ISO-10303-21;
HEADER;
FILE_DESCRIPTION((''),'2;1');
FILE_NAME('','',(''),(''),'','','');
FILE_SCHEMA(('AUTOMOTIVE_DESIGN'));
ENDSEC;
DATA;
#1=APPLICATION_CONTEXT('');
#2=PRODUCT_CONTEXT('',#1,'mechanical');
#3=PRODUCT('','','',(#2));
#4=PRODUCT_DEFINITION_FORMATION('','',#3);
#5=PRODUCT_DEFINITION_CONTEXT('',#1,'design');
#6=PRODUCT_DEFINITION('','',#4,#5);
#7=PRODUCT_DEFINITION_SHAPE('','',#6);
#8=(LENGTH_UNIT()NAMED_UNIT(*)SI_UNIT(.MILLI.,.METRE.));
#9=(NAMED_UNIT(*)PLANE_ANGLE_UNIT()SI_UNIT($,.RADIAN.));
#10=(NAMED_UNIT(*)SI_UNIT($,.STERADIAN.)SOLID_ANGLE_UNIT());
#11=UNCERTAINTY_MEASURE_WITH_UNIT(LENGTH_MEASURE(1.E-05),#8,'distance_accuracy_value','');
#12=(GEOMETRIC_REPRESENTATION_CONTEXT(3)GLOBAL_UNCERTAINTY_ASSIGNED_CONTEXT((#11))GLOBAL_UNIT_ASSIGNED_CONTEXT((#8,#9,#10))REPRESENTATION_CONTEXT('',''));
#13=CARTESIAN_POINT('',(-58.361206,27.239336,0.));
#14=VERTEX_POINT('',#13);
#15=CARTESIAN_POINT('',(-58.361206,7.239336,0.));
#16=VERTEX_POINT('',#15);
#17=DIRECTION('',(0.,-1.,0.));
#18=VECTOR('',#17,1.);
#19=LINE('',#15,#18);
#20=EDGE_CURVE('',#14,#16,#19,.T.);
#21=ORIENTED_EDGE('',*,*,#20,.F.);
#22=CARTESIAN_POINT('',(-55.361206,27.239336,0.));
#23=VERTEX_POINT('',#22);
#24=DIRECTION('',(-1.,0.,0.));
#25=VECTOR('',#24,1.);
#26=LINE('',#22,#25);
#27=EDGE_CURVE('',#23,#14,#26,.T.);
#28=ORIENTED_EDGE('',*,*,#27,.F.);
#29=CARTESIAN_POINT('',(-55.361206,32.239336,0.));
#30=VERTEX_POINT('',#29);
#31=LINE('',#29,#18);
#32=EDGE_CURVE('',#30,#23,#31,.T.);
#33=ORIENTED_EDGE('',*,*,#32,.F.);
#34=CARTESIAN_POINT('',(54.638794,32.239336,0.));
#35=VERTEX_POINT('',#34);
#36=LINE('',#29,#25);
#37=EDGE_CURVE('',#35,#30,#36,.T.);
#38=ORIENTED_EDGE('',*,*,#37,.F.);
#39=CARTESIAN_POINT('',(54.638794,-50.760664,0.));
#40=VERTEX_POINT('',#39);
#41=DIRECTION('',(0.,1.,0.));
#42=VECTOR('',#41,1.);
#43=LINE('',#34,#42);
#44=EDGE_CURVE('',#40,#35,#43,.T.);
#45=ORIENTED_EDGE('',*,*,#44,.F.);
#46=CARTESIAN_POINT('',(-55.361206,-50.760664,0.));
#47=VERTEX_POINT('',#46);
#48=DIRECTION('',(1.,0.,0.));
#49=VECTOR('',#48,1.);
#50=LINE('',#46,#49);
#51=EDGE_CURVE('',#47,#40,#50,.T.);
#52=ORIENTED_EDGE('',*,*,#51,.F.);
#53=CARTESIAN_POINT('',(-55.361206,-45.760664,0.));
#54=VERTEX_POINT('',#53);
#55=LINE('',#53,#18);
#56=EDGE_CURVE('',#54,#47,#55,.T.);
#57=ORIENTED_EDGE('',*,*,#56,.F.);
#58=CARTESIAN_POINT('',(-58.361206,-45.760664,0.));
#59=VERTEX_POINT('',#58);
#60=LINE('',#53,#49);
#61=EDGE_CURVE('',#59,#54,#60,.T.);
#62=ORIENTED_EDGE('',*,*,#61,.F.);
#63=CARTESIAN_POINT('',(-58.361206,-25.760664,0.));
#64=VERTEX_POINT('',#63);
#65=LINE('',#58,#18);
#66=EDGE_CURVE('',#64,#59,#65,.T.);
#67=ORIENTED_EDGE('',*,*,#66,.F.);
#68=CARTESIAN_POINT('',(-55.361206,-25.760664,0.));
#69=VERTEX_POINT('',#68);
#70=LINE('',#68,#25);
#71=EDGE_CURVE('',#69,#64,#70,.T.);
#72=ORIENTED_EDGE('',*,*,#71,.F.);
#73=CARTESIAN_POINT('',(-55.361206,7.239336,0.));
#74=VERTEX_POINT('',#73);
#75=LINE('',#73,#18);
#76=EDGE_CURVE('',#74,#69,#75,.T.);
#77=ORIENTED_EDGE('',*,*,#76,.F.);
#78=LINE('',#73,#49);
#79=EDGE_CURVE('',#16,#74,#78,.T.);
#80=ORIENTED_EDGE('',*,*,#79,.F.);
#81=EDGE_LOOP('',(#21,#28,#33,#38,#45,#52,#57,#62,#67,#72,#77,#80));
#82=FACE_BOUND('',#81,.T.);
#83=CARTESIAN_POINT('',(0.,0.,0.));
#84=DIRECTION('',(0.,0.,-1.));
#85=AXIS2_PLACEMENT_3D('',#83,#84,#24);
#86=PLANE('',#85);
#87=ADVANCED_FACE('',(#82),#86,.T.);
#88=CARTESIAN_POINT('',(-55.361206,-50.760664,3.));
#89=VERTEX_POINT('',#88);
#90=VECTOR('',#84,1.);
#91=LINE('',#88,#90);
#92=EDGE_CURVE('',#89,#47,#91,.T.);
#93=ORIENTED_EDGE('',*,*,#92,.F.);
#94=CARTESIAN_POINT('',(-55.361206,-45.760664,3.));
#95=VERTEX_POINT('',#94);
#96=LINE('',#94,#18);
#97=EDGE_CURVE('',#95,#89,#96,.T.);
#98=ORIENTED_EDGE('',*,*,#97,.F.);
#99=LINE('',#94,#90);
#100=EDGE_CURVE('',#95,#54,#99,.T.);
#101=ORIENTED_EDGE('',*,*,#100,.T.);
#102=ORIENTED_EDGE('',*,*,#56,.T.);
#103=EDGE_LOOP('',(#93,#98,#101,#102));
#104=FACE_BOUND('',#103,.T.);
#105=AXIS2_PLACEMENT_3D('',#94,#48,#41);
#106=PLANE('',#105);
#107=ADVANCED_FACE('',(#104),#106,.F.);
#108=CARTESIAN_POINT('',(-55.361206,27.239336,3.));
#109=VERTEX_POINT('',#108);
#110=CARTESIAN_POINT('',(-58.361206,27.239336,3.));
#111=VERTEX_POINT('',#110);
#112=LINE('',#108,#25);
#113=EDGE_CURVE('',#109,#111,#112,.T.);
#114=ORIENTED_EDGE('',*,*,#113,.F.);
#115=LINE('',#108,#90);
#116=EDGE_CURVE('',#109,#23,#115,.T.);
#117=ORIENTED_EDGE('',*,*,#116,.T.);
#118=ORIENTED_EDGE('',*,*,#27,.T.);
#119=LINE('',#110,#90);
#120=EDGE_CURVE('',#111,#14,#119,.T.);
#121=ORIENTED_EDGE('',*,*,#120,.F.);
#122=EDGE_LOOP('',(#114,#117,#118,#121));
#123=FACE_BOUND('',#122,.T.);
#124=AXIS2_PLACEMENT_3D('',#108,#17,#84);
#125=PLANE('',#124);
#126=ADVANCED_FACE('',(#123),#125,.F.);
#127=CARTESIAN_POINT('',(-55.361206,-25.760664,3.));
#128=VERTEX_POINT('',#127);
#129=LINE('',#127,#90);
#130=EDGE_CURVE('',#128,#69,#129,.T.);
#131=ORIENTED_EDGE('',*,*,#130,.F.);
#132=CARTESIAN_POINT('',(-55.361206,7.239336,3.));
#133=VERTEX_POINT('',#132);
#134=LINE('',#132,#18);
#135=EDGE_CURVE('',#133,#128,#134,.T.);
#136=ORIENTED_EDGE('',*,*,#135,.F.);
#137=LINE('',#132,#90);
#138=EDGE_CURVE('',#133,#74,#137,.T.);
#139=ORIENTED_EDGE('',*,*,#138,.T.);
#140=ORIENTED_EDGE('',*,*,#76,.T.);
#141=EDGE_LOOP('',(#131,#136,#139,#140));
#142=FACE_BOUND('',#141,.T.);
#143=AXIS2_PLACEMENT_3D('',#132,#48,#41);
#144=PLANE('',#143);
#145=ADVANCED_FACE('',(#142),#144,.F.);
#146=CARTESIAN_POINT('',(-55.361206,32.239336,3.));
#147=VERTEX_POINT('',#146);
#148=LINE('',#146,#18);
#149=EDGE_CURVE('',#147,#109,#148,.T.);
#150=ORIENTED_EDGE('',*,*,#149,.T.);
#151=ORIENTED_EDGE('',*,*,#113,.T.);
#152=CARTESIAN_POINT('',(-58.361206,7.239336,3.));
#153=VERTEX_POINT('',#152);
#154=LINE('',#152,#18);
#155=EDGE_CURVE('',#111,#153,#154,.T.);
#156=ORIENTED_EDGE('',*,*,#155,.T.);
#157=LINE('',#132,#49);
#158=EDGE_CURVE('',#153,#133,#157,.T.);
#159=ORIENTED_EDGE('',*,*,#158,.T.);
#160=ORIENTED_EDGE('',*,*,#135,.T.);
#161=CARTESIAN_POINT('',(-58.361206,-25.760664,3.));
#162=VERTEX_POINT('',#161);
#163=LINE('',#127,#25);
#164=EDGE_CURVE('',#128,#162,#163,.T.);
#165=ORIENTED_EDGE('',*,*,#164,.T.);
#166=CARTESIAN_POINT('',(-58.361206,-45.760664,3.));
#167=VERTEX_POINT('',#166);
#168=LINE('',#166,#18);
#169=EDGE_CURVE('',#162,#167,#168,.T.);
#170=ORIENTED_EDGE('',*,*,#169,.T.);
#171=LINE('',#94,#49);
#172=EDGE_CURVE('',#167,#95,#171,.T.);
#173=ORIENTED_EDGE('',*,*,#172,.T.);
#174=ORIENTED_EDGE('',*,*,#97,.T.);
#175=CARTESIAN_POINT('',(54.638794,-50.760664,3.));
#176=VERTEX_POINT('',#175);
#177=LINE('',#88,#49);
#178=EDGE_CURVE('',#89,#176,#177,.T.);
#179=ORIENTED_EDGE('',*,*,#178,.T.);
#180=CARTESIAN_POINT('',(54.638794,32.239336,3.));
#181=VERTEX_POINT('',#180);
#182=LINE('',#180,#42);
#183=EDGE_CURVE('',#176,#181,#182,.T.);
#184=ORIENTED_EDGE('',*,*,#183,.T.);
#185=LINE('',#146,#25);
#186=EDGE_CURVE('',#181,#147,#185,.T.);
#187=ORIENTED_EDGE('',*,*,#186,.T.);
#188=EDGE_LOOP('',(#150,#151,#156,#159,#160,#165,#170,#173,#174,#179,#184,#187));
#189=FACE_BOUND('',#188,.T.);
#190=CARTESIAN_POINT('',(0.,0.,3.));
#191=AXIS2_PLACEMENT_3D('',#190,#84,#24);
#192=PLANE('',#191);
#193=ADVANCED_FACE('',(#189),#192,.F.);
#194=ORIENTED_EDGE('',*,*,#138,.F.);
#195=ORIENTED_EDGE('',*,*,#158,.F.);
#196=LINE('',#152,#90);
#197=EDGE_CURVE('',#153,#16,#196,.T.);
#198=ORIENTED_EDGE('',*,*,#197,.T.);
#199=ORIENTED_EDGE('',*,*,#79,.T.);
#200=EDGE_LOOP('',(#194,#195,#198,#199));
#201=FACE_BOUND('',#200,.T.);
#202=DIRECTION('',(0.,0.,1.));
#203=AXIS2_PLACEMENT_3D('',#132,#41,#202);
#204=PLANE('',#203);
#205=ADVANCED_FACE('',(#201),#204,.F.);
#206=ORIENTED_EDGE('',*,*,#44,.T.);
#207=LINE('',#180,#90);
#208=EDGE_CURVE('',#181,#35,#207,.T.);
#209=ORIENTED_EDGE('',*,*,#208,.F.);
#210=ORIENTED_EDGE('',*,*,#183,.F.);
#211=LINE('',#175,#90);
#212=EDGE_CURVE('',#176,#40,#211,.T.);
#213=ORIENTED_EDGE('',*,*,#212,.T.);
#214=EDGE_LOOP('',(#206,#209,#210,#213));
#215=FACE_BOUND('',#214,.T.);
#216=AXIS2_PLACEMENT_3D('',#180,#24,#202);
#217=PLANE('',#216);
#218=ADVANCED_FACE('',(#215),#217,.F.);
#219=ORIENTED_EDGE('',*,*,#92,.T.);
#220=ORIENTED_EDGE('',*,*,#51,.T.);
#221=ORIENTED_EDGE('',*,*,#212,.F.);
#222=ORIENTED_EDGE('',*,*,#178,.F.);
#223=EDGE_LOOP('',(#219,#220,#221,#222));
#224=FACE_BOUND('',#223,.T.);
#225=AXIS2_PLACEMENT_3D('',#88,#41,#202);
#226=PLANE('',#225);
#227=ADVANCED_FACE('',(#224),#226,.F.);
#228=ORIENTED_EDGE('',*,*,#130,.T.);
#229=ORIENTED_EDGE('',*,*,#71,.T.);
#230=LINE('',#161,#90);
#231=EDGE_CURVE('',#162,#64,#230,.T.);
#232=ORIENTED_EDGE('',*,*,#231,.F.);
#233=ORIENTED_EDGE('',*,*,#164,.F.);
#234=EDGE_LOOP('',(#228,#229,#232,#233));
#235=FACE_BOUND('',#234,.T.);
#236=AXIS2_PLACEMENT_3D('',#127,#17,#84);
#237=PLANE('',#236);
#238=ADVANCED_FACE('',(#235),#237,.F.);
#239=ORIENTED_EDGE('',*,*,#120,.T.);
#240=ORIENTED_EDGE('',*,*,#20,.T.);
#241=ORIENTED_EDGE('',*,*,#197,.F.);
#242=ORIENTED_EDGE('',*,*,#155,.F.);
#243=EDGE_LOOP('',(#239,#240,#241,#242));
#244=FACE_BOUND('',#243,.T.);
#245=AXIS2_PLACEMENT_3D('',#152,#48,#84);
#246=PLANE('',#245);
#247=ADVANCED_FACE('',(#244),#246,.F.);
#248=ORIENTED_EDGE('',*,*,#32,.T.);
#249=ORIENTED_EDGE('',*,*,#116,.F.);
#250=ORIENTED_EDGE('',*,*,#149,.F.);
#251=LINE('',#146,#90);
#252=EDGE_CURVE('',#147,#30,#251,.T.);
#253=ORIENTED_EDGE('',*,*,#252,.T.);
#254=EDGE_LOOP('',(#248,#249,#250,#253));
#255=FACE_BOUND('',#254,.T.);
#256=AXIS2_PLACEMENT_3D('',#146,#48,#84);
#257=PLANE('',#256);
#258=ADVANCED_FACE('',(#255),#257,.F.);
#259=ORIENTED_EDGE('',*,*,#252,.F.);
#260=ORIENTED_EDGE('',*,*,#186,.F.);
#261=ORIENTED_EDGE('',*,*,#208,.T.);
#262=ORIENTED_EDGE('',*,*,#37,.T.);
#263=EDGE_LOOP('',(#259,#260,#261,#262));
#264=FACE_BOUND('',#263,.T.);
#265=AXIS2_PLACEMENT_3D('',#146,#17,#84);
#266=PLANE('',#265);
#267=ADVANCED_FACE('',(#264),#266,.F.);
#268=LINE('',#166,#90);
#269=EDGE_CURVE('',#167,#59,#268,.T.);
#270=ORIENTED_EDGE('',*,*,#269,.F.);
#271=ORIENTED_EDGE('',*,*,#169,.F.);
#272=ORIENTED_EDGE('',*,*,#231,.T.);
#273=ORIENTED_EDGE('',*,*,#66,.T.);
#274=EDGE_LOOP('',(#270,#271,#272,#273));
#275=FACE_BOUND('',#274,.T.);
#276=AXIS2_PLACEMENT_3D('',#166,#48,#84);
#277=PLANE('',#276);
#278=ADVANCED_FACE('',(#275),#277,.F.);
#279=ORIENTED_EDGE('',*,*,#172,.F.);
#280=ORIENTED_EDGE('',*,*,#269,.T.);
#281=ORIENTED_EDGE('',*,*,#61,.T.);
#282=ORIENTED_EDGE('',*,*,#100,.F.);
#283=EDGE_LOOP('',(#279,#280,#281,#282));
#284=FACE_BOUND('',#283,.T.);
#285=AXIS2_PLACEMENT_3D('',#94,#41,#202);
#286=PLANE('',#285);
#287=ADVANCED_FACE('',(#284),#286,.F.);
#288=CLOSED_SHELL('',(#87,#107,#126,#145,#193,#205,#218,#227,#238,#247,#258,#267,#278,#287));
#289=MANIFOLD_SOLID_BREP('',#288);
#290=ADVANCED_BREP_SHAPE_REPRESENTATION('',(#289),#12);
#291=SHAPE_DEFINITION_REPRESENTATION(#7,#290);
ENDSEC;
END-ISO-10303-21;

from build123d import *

# Parameters (mm, degrees)
RESSALTO_EXTRUS_O1_DEPTH = 3


with BuildPart() as part:
    # Esboço1 → Ressalto-extrusão1 (new body)
    with BuildSketch(Plane.XY):
        Polygon((-55.36120607, 7.239336493), (-55.36120607, -25.760663507), (-58.36120607, -25.760663507), (-58.36120607, -45.760663507), (-55.36120607, -45.760663507), (-55.36120607, -50.760663507), (54.63879393, -50.760663507), (54.63879393, 32.239336493), (-55.36120607, 32.239336493), (-55.36120607, 27.239336493), (-58.36120607, 27.239336493), (-58.36120607, 7.239336493), align=None)
    extrude(amount=RESSALTO_EXTRUS_O1_DEPTH)


solid = part.part
